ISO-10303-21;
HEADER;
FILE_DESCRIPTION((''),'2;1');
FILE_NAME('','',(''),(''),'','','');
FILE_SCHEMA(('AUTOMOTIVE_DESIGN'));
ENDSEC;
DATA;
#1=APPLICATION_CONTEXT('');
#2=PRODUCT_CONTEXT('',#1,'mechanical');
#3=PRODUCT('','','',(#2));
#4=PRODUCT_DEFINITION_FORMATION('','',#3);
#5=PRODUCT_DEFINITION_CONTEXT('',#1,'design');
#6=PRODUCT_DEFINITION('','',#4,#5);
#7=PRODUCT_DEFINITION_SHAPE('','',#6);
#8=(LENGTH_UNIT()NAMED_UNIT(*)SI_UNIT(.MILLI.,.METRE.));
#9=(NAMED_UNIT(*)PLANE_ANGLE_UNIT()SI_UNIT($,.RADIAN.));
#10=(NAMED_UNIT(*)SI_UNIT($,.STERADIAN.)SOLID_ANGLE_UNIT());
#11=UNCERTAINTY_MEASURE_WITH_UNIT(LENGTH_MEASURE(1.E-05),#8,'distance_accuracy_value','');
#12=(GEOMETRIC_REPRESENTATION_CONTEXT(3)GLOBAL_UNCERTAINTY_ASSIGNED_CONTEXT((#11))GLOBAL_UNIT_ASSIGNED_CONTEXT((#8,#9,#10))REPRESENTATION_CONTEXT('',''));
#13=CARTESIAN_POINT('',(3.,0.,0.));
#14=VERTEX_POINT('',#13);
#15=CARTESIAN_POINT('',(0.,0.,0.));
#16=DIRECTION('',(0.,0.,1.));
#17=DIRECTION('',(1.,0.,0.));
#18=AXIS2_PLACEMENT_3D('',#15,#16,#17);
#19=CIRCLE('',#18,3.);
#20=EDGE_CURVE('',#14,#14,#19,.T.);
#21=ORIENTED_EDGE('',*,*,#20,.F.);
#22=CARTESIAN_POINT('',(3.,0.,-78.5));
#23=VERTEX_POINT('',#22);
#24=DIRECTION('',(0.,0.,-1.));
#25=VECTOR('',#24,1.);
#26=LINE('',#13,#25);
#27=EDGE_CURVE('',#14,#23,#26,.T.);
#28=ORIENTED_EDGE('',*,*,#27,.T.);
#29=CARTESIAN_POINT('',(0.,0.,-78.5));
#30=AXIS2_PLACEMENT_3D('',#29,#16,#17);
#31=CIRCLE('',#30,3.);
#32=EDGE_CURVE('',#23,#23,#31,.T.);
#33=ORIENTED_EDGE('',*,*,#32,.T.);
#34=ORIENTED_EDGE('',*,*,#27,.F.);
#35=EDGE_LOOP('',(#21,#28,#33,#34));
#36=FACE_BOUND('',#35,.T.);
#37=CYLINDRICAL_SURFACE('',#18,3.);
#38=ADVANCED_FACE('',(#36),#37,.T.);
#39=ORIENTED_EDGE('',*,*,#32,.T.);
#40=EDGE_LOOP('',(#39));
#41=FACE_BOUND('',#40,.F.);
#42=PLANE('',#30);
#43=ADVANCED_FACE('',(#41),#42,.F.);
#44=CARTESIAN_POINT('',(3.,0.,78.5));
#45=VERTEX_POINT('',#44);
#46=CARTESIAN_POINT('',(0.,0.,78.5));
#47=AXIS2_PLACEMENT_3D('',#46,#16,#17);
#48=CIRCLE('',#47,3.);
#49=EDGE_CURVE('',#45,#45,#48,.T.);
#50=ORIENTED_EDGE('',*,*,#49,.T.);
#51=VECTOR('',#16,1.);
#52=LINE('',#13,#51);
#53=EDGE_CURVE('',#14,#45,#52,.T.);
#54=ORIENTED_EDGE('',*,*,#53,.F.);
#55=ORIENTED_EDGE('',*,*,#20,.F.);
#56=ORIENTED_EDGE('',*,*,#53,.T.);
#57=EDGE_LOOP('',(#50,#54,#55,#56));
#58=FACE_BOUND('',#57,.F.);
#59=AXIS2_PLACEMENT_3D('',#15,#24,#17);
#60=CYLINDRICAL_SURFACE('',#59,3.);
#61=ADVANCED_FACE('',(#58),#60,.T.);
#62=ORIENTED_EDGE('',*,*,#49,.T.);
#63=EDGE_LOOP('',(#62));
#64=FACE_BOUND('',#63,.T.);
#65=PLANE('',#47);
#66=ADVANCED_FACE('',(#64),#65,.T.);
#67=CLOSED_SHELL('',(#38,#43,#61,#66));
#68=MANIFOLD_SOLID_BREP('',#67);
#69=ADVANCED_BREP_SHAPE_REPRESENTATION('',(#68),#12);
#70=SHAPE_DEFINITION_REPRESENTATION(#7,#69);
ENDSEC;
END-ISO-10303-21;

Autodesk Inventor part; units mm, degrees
ref_plane "YZ Plane" through (0, 0, 0) normal (1, 0, 0) x (0, 1, 0)
ref_plane "XZ Plane" through (0, 0, 0) normal (0, 1, 0) x (-1, 0, 0)
ref_plane "XY Plane" through (0, 0, 0) normal (0, 0, 1) x (1, 0, 0)
sketch "Skizze1" plane through (0, 0, 0) normal (0, 0, 1) x (1, 0, 0)
  circle A0 centre (0, 0) radius 3
  dimension "d0" = 6
extrude "Extrusion1" add sketch "Skizze1" along normal mid plane 157
properties part number "Drehstange"
